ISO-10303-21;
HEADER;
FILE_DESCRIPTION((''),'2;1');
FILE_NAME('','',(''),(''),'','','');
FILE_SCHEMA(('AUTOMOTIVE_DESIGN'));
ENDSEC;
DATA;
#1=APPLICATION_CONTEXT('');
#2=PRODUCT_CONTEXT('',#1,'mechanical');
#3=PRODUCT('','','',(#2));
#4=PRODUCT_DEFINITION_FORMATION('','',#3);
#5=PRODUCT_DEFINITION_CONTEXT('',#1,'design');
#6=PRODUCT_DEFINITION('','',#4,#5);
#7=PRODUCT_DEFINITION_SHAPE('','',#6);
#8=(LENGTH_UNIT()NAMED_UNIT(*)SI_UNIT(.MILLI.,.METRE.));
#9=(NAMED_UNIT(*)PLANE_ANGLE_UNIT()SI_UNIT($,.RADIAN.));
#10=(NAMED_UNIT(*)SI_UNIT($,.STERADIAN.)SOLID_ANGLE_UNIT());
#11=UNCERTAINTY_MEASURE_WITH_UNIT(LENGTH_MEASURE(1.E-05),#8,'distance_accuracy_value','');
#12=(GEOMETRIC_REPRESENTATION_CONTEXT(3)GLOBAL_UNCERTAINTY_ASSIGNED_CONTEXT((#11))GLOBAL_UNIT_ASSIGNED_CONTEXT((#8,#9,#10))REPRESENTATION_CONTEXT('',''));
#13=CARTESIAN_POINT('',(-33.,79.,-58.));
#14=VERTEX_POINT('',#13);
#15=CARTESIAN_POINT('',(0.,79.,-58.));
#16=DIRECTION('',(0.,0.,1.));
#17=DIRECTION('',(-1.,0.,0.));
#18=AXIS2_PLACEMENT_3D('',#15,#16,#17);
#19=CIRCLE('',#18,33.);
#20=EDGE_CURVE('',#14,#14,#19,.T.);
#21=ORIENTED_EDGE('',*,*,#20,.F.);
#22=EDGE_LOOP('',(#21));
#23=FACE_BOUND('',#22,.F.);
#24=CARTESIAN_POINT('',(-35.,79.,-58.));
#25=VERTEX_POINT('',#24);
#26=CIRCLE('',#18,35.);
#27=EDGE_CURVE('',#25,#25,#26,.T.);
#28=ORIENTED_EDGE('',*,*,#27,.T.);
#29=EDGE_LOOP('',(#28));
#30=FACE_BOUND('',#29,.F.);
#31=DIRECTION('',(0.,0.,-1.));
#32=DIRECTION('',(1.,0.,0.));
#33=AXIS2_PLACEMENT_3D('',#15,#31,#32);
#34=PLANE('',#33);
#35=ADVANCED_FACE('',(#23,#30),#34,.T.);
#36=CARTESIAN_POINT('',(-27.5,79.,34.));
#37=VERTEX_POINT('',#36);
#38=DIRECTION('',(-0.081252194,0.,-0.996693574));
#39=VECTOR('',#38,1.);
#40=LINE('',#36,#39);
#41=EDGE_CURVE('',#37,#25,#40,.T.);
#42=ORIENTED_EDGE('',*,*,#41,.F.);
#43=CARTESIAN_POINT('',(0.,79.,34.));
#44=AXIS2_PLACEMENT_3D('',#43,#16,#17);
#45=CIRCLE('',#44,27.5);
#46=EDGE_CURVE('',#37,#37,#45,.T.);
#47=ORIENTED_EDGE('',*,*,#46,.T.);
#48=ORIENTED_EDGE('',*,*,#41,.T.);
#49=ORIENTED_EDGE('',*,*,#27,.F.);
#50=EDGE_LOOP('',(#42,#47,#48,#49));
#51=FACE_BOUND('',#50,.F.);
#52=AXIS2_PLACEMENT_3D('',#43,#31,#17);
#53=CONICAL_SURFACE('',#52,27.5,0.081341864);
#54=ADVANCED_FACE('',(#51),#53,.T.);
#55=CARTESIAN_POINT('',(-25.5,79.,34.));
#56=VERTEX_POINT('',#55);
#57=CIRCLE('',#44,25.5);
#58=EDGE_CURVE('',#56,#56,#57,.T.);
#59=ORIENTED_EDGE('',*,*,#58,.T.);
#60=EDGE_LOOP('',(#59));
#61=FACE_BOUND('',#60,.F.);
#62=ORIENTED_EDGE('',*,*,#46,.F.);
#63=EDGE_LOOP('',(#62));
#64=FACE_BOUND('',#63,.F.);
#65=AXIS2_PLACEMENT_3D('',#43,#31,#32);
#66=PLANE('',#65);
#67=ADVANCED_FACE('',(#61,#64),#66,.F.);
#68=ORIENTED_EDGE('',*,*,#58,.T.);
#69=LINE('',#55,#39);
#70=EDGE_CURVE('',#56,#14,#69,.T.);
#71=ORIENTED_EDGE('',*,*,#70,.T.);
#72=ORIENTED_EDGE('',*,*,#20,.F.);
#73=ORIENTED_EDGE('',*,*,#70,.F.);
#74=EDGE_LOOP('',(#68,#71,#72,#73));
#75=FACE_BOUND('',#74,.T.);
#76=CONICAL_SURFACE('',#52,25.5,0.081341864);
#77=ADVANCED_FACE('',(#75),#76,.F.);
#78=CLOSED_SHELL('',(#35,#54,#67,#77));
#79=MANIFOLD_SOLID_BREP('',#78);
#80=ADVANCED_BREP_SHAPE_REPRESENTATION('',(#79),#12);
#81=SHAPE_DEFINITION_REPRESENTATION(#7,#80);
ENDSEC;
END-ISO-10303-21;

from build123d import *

# Parameters (mm, degrees)
PART_MIRRORING_PLACEMENT_ANGLE = 180


with BuildPart() as cone001:
    # Cone001 → Cone001 (revolve)
    with BuildSketch(Plane.XZ):
        Polygon((0, 0), (25.5, 0), (33, 92), (0, 92), align=None)
    revolve(axis=Axis((0, 0, 0), (0, 0, 1)))


with BuildPart() as cut:
    # Cone → Cone (revolve)
    with BuildSketch(Plane.XZ):
        Polygon((0, 0), (27.5, 0), (35, 92), (0, 92), align=None)
    revolve(axis=Axis((0, 0, 0), (0, 0, 1)))

    # Cut: cut Cone001
    add(cone001.part, mode=Mode.SUBTRACT)


with BuildPart() as part_mirroring:
    # Part__Mirroring: instance of Cut
    add(cut.part.mirror(Plane(origin=(0, 0, 0), x_dir=(0, -1, 0), z_dir=(1, 0, 0))))


with BuildPart() as part_mirroring_1:
    # Part__Mirroring placement: moved
    add(part_mirroring.part.moved(Location((0, 79, 34))).rotate(Axis((0, 79, 34), (1, 0, 0)), PART_MIRRORING_PLACEMENT_ANGLE))


solid = part_mirroring_1.part
